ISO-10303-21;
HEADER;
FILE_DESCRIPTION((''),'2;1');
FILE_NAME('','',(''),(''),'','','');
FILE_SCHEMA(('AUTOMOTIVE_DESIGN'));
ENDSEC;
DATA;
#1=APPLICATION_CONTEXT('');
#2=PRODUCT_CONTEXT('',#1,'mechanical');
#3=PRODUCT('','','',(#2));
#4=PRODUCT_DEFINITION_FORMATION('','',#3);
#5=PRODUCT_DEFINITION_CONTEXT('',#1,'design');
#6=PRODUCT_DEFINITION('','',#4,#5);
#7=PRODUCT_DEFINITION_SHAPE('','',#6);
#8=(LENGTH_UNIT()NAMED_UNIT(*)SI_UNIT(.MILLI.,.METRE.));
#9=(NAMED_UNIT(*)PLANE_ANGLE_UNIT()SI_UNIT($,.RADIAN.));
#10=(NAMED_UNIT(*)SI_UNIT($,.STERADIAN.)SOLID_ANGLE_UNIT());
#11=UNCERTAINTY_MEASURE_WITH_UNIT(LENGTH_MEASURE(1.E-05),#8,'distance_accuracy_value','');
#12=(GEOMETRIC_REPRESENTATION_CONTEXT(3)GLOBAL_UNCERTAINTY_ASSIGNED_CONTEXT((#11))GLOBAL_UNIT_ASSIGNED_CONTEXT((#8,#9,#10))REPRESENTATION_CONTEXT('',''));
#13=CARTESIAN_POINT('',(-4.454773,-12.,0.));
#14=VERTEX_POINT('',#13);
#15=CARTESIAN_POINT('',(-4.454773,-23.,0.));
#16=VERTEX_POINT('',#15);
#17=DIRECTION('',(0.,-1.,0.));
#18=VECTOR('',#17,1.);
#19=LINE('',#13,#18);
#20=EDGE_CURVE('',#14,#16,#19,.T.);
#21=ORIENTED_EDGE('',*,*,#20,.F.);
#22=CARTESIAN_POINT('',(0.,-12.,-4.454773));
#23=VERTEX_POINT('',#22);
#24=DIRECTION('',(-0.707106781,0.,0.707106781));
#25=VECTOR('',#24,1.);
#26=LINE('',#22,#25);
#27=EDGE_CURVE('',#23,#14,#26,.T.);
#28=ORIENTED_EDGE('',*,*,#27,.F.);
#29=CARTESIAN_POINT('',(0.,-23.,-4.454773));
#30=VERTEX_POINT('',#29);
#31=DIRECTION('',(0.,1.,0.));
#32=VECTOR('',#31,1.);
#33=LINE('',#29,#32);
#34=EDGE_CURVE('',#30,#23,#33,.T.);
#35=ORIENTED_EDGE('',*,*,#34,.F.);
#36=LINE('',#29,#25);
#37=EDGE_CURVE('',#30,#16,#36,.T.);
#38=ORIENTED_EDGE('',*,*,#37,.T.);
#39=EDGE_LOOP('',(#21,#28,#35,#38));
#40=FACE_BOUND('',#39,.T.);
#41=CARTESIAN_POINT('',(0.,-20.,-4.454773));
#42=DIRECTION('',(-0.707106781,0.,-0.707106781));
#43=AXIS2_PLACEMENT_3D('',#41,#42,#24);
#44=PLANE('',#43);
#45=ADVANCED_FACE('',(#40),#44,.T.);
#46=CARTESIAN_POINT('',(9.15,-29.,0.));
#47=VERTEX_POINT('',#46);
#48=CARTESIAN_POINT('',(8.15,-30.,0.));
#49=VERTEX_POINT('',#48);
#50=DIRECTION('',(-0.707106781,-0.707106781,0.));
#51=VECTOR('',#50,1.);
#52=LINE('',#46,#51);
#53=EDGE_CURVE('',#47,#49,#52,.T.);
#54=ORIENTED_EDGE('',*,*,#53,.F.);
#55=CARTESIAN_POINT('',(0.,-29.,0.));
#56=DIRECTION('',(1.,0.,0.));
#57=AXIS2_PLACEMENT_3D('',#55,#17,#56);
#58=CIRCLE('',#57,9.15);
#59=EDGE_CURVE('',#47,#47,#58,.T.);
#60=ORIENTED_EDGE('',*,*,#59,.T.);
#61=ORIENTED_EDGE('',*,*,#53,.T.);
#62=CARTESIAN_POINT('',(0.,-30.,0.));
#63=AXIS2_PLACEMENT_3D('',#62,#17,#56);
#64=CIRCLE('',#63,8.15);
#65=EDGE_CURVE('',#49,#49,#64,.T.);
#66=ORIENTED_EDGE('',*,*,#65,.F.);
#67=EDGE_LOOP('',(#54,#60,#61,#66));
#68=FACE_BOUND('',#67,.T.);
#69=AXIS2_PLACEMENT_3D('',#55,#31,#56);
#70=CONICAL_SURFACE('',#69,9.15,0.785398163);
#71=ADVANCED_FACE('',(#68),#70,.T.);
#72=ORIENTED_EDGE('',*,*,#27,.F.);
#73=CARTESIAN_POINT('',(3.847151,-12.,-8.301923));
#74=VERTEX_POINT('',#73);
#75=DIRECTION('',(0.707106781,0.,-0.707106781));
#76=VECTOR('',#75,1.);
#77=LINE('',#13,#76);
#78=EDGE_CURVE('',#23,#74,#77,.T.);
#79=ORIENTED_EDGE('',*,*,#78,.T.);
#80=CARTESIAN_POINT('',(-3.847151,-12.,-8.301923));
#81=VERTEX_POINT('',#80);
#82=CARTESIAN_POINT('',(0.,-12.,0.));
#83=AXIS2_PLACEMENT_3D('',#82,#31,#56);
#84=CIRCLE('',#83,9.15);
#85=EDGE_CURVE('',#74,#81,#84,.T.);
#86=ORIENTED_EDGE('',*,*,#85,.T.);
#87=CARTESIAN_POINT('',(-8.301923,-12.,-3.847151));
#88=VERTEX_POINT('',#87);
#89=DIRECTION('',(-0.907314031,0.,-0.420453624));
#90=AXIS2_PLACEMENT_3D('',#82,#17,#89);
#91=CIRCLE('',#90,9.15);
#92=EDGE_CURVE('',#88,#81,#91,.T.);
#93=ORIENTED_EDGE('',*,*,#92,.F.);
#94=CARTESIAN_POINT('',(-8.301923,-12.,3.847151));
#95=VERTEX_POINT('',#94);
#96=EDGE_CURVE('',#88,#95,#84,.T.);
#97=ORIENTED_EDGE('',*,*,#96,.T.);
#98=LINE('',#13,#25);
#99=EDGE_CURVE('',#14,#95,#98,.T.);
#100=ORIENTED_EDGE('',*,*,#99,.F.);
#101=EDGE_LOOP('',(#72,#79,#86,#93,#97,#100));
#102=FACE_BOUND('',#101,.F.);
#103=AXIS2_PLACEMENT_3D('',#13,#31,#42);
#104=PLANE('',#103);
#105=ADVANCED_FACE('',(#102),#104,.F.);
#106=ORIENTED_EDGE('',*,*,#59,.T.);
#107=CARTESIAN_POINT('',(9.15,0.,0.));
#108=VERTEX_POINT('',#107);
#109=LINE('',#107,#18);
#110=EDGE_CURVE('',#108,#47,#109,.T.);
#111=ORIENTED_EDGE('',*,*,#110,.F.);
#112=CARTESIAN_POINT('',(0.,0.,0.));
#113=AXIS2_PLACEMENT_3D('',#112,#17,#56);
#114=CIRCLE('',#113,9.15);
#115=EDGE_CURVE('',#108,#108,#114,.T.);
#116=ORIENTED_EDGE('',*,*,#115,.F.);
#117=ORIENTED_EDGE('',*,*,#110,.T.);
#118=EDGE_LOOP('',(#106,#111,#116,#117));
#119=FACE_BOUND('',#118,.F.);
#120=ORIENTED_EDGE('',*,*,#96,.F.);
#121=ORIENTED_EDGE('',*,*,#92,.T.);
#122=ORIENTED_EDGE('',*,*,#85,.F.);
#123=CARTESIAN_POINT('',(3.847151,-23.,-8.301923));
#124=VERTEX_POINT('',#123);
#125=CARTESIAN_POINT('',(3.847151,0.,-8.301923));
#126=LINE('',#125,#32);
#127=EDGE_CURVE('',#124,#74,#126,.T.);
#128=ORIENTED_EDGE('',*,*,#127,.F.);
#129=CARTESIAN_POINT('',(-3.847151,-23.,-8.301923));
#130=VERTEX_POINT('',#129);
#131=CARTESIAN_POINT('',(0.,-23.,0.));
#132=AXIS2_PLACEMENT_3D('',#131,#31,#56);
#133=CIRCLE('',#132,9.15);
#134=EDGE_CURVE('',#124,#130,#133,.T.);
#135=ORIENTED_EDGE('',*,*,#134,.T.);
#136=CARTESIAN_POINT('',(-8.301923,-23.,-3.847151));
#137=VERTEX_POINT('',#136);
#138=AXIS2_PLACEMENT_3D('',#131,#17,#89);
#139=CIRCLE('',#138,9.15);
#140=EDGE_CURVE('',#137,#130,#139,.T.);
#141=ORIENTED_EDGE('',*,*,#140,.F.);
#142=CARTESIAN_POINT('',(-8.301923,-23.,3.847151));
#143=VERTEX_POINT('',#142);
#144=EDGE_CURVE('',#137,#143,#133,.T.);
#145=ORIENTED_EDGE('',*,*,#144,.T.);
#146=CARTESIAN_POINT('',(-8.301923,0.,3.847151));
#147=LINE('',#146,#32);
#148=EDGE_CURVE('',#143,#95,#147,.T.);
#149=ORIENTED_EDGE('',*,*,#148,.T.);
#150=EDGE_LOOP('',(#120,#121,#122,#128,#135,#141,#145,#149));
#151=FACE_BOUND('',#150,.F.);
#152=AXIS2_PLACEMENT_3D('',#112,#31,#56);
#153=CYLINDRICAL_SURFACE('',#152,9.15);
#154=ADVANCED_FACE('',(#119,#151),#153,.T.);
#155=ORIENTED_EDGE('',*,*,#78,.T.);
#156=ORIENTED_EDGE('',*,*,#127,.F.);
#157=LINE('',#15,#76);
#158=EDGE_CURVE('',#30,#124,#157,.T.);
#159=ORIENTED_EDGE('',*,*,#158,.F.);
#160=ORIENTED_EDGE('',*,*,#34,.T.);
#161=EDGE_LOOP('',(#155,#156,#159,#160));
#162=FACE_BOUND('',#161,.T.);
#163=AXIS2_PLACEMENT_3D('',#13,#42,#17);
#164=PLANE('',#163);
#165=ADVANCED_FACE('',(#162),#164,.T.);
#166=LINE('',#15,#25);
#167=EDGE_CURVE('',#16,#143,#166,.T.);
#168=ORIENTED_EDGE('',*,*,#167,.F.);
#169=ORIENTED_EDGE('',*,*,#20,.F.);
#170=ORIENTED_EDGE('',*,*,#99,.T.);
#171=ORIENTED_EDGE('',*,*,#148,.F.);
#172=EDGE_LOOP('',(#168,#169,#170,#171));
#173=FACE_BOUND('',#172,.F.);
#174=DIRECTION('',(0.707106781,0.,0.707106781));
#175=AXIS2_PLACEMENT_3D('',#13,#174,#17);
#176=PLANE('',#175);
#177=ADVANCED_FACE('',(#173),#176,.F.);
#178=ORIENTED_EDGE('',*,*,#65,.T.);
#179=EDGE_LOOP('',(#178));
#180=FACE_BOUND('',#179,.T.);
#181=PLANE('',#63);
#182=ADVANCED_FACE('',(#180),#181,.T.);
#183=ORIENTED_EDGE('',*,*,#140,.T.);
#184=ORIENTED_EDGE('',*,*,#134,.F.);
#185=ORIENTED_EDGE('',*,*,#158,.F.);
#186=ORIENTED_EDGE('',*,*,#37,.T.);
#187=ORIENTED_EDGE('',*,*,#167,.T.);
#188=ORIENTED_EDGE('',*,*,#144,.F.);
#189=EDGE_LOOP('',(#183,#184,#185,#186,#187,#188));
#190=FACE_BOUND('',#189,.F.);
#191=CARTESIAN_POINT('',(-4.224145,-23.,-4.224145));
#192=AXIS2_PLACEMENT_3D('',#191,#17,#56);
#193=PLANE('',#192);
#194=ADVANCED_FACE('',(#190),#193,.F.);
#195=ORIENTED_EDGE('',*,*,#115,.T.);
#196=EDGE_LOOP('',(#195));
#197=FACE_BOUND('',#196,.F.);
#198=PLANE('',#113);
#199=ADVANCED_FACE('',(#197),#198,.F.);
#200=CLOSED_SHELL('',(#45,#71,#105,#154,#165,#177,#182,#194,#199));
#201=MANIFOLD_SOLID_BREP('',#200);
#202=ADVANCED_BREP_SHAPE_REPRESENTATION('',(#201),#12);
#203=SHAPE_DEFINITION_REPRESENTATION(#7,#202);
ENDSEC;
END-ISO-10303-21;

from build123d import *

# Parameters (mm, degrees)
F0_R          = 9.15
F1_DEPTH      = 30
F2_SIZE2      = 1
F2_SIZE       = 1
F5_DEPTH      = 3
F5_DEPTH_BACK = 8
F6_DEPTH      = 25
F6_DEPTH_BACK = 25


with BuildPart() as f1:
    # F0 (on Front) → F1 (new body)
    with BuildSketch(Plane.XZ):
        Circle(F0_R)
    extrude(amount=F1_DEPTH)

    # F2
    f2_edges = [f1.edges().sort_by_distance(p)[0] for p in [
        (-9.15, -30, 0),
    ]]
    chamfer(f2_edges, length=F2_SIZE, length2=F2_SIZE2)

    # F4 (on offset) → F5 (cut, two sides)
    with BuildSketch(Plane.XZ.offset(20)) as f5_sk:
        with BuildLine():
            Line((0, -4.4547727215), (-4.4547727215, 0))
            Line((-4.4547727215, 0), (-8.3019233801, -3.8471506587))
            ThreePointArc((-8.3019233801, -3.8471506587), (-6.4700270479, -6.4700270479), (-3.8471506587, -8.3019233801))
            Line((-3.8471506587, -8.3019233801), (0, -4.4547727215))
        make_face()
    extrude(amount=F5_DEPTH, mode=Mode.SUBTRACT)
    extrude(f5_sk.sketch, amount=-F5_DEPTH_BACK, mode=Mode.SUBTRACT)

    # F6 (cut, two sides): a face of the model
    f6_faces = [f1.faces().sort_by_distance(p)[0] for p in [
        (-6.3783480508, -17.5, -1.9235753293),
    ]]
    extrude(f6_faces, amount=-F6_DEPTH, mode=Mode.SUBTRACT)
    extrude(f6_faces, amount=F6_DEPTH_BACK, mode=Mode.SUBTRACT)


solid = f1.part
